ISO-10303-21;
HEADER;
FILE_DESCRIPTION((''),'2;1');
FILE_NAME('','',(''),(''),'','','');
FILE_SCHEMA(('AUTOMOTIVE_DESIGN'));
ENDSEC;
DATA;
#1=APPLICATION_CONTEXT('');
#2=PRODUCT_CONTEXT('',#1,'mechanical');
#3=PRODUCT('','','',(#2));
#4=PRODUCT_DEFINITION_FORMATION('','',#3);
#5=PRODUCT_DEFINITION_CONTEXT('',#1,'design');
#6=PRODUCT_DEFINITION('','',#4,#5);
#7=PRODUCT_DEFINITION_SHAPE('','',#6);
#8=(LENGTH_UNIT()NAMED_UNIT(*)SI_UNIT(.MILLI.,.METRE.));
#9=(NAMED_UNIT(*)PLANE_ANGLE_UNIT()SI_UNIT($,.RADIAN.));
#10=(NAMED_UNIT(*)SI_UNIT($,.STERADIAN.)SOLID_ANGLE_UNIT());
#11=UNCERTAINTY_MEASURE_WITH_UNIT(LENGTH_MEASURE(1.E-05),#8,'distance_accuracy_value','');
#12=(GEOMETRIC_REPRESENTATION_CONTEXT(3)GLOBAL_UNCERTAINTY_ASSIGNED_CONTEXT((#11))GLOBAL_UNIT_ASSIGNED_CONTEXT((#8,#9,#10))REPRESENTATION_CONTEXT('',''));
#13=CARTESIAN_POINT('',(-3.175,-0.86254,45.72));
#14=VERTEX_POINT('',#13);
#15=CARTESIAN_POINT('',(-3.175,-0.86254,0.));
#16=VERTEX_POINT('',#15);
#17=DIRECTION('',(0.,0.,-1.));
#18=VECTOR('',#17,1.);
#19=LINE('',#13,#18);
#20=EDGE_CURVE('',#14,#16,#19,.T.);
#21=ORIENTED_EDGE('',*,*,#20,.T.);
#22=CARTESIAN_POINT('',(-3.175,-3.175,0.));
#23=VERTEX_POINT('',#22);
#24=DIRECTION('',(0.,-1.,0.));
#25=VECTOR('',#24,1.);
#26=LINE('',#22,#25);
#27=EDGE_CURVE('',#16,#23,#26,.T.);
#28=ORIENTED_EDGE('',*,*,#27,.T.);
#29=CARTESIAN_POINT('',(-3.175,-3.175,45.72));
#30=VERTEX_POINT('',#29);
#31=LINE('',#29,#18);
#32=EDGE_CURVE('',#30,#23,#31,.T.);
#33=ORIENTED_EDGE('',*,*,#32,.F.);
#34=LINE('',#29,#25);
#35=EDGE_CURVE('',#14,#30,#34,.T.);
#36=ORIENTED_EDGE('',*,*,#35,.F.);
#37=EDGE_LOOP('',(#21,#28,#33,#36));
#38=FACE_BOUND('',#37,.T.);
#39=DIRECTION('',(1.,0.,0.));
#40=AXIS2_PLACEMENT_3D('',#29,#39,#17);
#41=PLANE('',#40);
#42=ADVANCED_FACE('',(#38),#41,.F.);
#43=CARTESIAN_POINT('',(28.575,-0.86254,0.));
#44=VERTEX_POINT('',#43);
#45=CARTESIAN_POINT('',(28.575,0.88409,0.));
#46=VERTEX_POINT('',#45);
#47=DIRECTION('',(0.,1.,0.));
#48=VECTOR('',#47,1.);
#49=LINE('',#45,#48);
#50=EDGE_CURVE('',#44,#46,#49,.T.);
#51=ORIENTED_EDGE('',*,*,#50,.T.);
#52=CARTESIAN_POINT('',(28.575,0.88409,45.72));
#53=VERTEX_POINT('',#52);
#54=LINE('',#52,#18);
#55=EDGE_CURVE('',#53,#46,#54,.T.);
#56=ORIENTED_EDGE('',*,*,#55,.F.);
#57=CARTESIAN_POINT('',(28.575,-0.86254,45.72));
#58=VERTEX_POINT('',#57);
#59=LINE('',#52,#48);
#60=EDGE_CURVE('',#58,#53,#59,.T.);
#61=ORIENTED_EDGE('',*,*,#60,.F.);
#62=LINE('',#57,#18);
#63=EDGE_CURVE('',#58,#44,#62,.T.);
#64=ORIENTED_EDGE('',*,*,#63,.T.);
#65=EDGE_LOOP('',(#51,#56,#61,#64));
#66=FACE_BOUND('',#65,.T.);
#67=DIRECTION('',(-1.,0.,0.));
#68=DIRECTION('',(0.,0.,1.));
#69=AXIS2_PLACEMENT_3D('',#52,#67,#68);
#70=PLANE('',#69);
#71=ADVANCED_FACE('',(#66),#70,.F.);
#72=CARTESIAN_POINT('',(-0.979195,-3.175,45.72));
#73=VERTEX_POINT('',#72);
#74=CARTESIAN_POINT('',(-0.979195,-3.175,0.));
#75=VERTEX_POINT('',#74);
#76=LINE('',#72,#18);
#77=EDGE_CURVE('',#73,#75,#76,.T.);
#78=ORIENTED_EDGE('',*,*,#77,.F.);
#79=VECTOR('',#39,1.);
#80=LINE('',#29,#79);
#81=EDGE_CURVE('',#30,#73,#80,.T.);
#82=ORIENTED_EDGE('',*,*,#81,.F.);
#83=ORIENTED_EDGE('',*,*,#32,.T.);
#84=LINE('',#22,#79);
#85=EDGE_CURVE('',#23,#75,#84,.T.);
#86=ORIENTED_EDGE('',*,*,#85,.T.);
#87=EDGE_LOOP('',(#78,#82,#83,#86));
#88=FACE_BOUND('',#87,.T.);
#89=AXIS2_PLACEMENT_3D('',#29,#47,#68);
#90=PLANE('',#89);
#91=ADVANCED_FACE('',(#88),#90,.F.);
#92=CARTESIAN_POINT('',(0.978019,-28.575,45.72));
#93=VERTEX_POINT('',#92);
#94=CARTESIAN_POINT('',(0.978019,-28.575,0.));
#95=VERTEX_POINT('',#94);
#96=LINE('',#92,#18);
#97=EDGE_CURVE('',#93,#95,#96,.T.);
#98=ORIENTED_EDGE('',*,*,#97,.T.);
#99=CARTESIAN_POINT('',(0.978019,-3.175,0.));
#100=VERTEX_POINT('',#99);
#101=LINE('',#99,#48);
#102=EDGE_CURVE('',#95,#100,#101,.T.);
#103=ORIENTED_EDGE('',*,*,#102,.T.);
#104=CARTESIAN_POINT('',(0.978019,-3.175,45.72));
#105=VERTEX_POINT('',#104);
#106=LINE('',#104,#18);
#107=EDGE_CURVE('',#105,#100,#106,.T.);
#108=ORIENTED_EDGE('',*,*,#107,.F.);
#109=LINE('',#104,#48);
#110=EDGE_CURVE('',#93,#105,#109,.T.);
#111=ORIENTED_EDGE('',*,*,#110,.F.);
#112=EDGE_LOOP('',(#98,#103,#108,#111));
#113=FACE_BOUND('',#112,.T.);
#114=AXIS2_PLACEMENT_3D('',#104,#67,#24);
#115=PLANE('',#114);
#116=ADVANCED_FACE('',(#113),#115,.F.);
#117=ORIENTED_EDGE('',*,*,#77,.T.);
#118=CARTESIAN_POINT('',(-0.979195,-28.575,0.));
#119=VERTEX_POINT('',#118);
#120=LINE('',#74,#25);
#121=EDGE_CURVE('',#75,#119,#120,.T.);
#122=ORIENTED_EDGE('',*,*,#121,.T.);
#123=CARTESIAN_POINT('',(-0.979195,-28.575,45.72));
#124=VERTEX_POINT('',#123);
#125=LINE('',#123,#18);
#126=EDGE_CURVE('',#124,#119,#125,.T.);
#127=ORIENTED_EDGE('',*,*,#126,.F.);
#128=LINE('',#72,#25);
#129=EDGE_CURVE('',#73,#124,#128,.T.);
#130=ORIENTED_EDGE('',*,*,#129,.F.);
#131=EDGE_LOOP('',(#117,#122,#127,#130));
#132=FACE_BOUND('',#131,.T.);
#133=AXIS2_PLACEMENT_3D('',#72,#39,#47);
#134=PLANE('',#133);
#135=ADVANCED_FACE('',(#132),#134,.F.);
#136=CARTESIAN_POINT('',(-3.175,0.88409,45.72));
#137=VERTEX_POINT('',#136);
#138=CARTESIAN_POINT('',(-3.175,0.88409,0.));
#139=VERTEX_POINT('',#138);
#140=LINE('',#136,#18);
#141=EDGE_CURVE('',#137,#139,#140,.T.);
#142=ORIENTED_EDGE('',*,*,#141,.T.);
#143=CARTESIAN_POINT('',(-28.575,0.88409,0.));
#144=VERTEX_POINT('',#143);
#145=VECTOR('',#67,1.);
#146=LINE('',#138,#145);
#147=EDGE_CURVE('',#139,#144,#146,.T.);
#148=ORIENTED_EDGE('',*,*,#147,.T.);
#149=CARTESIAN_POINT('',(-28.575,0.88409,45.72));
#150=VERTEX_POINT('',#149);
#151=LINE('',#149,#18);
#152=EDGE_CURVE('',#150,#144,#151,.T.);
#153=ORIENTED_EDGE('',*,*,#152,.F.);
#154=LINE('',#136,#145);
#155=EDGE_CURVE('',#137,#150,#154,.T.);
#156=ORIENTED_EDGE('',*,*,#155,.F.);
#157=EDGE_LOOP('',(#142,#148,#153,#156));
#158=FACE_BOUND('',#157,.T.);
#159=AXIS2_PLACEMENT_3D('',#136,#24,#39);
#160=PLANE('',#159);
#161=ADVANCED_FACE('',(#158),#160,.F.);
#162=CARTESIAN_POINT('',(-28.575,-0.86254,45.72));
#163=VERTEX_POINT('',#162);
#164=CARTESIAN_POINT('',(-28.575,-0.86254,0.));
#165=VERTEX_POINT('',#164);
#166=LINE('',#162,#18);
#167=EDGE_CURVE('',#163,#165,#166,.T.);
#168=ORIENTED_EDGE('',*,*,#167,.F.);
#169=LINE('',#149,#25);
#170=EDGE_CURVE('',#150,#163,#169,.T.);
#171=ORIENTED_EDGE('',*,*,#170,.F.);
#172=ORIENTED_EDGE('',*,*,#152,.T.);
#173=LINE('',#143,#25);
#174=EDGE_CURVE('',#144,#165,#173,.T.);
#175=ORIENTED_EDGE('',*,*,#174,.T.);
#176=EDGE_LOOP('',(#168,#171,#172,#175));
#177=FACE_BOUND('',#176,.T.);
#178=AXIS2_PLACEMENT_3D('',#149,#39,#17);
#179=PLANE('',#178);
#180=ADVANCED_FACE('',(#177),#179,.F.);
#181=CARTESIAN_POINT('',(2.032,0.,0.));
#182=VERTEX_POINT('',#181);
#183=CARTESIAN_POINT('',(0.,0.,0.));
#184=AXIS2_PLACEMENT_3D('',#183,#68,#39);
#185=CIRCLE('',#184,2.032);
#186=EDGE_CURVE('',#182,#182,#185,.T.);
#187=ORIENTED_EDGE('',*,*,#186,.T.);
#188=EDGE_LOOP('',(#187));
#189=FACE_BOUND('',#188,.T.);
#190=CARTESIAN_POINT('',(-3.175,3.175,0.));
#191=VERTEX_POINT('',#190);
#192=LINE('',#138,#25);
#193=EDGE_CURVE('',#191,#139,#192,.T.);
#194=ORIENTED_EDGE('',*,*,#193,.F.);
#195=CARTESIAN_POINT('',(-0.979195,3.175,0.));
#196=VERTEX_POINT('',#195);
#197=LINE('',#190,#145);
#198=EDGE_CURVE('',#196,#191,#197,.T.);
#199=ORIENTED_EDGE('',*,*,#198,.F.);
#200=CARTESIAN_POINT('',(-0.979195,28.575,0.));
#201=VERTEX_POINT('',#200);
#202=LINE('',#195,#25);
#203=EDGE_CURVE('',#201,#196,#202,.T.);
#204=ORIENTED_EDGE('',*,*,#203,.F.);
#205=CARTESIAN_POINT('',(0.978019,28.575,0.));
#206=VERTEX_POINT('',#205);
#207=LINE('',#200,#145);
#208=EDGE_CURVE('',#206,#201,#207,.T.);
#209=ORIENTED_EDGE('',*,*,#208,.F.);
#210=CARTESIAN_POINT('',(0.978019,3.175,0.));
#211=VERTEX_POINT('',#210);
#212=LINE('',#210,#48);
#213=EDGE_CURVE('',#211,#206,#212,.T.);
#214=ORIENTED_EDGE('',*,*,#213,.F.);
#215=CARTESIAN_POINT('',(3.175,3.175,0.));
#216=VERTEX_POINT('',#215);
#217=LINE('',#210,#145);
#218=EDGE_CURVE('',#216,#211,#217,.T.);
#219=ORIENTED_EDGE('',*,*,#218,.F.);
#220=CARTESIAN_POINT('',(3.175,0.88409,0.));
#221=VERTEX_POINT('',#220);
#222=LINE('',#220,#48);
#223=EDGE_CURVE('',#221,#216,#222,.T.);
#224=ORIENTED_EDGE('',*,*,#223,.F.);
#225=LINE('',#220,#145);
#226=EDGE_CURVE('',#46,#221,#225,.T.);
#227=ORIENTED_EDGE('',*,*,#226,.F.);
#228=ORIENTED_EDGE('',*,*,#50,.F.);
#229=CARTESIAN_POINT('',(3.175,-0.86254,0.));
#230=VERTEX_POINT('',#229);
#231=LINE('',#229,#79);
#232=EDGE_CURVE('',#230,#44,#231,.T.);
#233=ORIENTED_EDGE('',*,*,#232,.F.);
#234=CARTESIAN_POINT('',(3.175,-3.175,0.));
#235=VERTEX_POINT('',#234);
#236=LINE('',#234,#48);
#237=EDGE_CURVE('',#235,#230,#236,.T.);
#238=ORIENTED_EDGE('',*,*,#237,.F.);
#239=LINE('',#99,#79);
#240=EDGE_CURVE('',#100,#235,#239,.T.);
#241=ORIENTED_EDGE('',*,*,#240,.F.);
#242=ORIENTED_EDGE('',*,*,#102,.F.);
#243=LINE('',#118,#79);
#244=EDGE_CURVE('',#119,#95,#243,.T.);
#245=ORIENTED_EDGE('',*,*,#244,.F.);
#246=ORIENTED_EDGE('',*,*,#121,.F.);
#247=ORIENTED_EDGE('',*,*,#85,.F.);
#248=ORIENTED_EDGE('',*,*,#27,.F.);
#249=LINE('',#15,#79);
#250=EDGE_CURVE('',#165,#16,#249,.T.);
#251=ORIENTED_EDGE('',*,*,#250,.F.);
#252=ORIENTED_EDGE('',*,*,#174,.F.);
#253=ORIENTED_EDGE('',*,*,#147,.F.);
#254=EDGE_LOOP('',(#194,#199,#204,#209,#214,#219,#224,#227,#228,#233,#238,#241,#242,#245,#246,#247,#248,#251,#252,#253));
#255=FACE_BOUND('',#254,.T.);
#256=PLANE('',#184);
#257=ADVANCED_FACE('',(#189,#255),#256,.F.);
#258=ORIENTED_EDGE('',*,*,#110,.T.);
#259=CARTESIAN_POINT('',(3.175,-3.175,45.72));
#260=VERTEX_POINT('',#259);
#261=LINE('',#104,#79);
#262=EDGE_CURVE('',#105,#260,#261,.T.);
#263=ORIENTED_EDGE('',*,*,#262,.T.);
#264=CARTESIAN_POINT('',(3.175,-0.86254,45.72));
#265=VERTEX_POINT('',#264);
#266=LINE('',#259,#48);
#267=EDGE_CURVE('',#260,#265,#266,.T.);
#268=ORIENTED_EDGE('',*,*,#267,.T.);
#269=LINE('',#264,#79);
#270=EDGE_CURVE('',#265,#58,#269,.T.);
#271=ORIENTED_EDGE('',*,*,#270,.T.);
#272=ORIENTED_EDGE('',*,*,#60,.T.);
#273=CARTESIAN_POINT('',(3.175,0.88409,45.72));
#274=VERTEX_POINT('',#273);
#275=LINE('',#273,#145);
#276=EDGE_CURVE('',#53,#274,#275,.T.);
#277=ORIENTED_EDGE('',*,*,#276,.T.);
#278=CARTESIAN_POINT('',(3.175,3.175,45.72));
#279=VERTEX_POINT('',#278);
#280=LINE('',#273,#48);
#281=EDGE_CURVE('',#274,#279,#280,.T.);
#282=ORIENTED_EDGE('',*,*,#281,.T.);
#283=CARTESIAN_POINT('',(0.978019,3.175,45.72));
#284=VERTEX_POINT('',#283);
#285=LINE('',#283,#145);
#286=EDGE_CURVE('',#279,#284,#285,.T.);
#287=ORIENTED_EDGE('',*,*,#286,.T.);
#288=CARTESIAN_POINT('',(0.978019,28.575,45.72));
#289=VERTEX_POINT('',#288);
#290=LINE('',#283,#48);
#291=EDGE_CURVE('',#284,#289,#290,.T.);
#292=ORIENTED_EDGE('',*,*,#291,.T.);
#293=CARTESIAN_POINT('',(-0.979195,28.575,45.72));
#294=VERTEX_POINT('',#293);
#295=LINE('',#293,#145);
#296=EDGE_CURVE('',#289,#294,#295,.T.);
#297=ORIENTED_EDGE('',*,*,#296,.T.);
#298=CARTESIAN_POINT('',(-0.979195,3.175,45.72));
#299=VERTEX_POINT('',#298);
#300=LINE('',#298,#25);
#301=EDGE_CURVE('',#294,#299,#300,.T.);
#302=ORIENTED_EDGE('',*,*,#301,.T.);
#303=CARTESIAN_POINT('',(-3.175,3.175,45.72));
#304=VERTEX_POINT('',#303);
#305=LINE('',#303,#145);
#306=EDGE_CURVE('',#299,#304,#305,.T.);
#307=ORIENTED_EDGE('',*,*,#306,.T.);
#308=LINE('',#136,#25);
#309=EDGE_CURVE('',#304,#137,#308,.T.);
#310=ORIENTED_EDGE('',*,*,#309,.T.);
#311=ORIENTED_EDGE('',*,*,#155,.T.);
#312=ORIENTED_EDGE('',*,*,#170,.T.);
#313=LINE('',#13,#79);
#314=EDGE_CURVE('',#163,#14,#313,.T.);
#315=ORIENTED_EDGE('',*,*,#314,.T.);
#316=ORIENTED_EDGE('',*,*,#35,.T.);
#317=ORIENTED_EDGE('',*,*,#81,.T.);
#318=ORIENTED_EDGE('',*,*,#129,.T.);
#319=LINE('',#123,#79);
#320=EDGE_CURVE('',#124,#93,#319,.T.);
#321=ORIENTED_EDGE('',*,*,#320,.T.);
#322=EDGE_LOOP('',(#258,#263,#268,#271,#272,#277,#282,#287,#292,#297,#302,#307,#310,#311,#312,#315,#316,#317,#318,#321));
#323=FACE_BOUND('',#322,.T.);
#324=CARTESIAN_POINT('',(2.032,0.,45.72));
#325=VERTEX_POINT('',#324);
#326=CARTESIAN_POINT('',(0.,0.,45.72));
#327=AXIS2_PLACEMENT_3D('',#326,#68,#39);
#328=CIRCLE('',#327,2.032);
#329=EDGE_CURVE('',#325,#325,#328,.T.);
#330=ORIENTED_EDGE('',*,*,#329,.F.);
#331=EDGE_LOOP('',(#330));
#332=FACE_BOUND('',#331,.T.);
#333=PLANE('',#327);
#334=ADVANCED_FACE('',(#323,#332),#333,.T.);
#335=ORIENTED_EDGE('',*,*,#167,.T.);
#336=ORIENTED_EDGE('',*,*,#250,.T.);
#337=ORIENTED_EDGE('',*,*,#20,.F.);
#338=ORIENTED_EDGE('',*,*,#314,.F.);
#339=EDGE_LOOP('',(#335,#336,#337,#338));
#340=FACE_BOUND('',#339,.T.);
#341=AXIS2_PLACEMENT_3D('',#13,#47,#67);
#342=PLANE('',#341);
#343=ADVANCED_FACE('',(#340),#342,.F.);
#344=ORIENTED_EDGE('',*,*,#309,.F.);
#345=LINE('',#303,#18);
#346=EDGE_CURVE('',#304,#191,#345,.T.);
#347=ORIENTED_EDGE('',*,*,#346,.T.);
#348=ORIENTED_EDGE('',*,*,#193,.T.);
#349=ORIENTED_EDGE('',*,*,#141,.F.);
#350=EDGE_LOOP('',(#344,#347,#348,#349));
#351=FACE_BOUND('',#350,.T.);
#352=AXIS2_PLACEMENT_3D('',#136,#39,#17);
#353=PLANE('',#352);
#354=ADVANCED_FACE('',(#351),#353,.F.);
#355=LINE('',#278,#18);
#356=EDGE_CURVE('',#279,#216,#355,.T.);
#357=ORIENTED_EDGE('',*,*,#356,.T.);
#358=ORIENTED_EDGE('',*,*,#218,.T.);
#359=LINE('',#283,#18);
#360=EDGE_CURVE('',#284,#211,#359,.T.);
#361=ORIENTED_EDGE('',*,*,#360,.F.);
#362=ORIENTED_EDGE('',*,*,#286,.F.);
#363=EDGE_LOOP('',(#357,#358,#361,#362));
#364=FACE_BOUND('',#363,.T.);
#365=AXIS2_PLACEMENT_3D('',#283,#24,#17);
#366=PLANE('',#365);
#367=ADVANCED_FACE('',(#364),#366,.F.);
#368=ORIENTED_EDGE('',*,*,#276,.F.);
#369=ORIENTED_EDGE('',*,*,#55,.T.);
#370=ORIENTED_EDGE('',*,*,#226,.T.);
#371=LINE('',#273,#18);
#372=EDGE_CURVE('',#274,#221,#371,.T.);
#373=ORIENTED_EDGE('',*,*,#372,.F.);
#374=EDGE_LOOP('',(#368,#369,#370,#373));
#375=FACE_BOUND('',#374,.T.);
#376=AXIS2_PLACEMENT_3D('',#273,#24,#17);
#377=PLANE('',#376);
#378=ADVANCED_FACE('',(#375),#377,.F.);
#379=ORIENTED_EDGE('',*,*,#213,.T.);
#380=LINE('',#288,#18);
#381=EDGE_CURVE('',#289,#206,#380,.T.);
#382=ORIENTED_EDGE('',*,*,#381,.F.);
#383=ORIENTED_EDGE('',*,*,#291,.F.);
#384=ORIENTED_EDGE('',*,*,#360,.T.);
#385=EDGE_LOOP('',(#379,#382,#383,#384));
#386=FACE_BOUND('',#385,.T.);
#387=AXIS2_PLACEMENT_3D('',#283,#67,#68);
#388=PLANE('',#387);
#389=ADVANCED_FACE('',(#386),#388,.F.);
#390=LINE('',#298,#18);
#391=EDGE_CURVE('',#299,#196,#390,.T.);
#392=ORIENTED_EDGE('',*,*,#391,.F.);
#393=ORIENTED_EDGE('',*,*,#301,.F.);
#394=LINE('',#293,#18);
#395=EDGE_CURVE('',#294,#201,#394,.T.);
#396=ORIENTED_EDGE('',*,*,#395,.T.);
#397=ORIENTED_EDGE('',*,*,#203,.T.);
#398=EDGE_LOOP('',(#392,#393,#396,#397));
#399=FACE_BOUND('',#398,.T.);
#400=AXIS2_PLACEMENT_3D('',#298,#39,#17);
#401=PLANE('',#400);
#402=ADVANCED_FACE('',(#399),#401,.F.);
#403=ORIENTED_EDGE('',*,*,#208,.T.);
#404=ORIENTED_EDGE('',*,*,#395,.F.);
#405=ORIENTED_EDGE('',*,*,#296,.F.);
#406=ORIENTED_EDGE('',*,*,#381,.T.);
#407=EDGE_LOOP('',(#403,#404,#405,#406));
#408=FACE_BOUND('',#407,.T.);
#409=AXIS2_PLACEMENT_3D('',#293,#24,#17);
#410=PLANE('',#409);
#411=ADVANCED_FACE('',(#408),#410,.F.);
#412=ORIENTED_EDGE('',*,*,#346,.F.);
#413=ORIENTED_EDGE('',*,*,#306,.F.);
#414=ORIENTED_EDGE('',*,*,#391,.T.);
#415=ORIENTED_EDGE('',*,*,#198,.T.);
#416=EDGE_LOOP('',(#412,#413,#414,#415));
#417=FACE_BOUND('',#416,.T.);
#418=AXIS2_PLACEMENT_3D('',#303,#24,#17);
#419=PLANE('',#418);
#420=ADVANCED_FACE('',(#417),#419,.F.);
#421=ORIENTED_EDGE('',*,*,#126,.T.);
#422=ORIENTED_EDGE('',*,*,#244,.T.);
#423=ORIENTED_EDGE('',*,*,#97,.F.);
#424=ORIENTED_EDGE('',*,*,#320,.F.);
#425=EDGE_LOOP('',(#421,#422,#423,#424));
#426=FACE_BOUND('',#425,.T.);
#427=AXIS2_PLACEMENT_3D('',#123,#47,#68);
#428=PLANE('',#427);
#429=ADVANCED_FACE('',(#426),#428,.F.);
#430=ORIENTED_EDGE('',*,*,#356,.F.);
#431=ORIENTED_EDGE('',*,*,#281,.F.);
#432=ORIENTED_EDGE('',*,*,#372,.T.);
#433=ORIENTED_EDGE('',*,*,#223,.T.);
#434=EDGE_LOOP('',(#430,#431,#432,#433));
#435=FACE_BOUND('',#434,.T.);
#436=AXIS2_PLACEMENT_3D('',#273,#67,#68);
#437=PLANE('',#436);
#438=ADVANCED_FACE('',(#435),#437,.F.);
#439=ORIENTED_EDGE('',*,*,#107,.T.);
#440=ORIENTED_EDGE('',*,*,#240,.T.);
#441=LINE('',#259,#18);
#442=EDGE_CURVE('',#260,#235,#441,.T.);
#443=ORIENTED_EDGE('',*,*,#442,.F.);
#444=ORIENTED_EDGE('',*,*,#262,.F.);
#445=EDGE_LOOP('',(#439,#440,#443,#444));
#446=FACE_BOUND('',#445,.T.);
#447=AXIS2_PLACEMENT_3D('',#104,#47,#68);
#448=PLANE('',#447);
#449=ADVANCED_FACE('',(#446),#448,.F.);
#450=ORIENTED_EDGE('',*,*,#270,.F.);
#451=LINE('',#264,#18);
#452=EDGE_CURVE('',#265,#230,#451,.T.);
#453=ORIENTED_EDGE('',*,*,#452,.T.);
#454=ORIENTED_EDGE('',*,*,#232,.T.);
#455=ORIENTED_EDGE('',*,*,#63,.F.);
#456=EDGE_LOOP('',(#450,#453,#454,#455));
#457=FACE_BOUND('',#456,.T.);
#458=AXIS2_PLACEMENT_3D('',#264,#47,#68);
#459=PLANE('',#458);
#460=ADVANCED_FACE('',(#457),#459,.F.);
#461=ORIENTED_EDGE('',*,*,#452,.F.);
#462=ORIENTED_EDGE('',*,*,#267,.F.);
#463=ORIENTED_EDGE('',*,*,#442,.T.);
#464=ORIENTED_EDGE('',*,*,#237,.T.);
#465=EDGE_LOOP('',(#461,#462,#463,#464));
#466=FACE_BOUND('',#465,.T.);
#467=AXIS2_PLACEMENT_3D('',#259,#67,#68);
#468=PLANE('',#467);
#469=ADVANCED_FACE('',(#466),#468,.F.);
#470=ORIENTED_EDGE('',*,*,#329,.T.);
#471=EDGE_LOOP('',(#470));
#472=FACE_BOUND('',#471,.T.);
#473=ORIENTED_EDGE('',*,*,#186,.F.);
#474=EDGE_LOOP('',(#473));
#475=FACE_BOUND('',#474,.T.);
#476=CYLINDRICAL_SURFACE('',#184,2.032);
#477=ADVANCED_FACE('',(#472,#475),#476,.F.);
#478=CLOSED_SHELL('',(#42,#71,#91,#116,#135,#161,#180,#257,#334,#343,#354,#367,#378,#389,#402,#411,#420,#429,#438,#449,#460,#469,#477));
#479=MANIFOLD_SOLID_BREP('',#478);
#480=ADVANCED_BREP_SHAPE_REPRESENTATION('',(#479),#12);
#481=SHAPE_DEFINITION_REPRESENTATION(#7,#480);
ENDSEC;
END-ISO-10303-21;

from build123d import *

# Parameters (mm, degrees)
BOSS_EXTRUDE1_DEPTH = 45.72
SKETCH2_R           = 2.032
CUT_EXTRUDE1_DEPTH  = 45.72


with BuildPart() as part:
    # Sketch1 → Boss-Extrude1 (new body)
    with BuildSketch(Plane.XY):
        Polygon((-3.175, 0.884089911), (-3.175, 3.175), (-0.979194969, 3.175), (-0.979194969, 28.575), (0.978019253, 28.575), (0.978019253, 3.175), (3.175, 3.175), (3.175, 0.884089911), (28.575, 0.884089911), (28.575, -0.86253999), (3.175, -0.86253999), (3.175, -3.175), (0.978019253, -3.175), (0.978019253, -28.575), (-0.979194969, -28.575), (-0.979194969, -3.175), (-3.175, -3.175), (-3.175, -0.86253999), (-28.575, -0.86253999), (-28.575, 0.884089911), align=None)
    extrude(amount=BOSS_EXTRUDE1_DEPTH)

    # Sketch2 → Cut-Extrude1 (cut)
    with BuildSketch(Plane.XY.offset(45.72)):
        Circle(SKETCH2_R)
    extrude(amount=-CUT_EXTRUDE1_DEPTH, mode=Mode.SUBTRACT)


solid = part.part
